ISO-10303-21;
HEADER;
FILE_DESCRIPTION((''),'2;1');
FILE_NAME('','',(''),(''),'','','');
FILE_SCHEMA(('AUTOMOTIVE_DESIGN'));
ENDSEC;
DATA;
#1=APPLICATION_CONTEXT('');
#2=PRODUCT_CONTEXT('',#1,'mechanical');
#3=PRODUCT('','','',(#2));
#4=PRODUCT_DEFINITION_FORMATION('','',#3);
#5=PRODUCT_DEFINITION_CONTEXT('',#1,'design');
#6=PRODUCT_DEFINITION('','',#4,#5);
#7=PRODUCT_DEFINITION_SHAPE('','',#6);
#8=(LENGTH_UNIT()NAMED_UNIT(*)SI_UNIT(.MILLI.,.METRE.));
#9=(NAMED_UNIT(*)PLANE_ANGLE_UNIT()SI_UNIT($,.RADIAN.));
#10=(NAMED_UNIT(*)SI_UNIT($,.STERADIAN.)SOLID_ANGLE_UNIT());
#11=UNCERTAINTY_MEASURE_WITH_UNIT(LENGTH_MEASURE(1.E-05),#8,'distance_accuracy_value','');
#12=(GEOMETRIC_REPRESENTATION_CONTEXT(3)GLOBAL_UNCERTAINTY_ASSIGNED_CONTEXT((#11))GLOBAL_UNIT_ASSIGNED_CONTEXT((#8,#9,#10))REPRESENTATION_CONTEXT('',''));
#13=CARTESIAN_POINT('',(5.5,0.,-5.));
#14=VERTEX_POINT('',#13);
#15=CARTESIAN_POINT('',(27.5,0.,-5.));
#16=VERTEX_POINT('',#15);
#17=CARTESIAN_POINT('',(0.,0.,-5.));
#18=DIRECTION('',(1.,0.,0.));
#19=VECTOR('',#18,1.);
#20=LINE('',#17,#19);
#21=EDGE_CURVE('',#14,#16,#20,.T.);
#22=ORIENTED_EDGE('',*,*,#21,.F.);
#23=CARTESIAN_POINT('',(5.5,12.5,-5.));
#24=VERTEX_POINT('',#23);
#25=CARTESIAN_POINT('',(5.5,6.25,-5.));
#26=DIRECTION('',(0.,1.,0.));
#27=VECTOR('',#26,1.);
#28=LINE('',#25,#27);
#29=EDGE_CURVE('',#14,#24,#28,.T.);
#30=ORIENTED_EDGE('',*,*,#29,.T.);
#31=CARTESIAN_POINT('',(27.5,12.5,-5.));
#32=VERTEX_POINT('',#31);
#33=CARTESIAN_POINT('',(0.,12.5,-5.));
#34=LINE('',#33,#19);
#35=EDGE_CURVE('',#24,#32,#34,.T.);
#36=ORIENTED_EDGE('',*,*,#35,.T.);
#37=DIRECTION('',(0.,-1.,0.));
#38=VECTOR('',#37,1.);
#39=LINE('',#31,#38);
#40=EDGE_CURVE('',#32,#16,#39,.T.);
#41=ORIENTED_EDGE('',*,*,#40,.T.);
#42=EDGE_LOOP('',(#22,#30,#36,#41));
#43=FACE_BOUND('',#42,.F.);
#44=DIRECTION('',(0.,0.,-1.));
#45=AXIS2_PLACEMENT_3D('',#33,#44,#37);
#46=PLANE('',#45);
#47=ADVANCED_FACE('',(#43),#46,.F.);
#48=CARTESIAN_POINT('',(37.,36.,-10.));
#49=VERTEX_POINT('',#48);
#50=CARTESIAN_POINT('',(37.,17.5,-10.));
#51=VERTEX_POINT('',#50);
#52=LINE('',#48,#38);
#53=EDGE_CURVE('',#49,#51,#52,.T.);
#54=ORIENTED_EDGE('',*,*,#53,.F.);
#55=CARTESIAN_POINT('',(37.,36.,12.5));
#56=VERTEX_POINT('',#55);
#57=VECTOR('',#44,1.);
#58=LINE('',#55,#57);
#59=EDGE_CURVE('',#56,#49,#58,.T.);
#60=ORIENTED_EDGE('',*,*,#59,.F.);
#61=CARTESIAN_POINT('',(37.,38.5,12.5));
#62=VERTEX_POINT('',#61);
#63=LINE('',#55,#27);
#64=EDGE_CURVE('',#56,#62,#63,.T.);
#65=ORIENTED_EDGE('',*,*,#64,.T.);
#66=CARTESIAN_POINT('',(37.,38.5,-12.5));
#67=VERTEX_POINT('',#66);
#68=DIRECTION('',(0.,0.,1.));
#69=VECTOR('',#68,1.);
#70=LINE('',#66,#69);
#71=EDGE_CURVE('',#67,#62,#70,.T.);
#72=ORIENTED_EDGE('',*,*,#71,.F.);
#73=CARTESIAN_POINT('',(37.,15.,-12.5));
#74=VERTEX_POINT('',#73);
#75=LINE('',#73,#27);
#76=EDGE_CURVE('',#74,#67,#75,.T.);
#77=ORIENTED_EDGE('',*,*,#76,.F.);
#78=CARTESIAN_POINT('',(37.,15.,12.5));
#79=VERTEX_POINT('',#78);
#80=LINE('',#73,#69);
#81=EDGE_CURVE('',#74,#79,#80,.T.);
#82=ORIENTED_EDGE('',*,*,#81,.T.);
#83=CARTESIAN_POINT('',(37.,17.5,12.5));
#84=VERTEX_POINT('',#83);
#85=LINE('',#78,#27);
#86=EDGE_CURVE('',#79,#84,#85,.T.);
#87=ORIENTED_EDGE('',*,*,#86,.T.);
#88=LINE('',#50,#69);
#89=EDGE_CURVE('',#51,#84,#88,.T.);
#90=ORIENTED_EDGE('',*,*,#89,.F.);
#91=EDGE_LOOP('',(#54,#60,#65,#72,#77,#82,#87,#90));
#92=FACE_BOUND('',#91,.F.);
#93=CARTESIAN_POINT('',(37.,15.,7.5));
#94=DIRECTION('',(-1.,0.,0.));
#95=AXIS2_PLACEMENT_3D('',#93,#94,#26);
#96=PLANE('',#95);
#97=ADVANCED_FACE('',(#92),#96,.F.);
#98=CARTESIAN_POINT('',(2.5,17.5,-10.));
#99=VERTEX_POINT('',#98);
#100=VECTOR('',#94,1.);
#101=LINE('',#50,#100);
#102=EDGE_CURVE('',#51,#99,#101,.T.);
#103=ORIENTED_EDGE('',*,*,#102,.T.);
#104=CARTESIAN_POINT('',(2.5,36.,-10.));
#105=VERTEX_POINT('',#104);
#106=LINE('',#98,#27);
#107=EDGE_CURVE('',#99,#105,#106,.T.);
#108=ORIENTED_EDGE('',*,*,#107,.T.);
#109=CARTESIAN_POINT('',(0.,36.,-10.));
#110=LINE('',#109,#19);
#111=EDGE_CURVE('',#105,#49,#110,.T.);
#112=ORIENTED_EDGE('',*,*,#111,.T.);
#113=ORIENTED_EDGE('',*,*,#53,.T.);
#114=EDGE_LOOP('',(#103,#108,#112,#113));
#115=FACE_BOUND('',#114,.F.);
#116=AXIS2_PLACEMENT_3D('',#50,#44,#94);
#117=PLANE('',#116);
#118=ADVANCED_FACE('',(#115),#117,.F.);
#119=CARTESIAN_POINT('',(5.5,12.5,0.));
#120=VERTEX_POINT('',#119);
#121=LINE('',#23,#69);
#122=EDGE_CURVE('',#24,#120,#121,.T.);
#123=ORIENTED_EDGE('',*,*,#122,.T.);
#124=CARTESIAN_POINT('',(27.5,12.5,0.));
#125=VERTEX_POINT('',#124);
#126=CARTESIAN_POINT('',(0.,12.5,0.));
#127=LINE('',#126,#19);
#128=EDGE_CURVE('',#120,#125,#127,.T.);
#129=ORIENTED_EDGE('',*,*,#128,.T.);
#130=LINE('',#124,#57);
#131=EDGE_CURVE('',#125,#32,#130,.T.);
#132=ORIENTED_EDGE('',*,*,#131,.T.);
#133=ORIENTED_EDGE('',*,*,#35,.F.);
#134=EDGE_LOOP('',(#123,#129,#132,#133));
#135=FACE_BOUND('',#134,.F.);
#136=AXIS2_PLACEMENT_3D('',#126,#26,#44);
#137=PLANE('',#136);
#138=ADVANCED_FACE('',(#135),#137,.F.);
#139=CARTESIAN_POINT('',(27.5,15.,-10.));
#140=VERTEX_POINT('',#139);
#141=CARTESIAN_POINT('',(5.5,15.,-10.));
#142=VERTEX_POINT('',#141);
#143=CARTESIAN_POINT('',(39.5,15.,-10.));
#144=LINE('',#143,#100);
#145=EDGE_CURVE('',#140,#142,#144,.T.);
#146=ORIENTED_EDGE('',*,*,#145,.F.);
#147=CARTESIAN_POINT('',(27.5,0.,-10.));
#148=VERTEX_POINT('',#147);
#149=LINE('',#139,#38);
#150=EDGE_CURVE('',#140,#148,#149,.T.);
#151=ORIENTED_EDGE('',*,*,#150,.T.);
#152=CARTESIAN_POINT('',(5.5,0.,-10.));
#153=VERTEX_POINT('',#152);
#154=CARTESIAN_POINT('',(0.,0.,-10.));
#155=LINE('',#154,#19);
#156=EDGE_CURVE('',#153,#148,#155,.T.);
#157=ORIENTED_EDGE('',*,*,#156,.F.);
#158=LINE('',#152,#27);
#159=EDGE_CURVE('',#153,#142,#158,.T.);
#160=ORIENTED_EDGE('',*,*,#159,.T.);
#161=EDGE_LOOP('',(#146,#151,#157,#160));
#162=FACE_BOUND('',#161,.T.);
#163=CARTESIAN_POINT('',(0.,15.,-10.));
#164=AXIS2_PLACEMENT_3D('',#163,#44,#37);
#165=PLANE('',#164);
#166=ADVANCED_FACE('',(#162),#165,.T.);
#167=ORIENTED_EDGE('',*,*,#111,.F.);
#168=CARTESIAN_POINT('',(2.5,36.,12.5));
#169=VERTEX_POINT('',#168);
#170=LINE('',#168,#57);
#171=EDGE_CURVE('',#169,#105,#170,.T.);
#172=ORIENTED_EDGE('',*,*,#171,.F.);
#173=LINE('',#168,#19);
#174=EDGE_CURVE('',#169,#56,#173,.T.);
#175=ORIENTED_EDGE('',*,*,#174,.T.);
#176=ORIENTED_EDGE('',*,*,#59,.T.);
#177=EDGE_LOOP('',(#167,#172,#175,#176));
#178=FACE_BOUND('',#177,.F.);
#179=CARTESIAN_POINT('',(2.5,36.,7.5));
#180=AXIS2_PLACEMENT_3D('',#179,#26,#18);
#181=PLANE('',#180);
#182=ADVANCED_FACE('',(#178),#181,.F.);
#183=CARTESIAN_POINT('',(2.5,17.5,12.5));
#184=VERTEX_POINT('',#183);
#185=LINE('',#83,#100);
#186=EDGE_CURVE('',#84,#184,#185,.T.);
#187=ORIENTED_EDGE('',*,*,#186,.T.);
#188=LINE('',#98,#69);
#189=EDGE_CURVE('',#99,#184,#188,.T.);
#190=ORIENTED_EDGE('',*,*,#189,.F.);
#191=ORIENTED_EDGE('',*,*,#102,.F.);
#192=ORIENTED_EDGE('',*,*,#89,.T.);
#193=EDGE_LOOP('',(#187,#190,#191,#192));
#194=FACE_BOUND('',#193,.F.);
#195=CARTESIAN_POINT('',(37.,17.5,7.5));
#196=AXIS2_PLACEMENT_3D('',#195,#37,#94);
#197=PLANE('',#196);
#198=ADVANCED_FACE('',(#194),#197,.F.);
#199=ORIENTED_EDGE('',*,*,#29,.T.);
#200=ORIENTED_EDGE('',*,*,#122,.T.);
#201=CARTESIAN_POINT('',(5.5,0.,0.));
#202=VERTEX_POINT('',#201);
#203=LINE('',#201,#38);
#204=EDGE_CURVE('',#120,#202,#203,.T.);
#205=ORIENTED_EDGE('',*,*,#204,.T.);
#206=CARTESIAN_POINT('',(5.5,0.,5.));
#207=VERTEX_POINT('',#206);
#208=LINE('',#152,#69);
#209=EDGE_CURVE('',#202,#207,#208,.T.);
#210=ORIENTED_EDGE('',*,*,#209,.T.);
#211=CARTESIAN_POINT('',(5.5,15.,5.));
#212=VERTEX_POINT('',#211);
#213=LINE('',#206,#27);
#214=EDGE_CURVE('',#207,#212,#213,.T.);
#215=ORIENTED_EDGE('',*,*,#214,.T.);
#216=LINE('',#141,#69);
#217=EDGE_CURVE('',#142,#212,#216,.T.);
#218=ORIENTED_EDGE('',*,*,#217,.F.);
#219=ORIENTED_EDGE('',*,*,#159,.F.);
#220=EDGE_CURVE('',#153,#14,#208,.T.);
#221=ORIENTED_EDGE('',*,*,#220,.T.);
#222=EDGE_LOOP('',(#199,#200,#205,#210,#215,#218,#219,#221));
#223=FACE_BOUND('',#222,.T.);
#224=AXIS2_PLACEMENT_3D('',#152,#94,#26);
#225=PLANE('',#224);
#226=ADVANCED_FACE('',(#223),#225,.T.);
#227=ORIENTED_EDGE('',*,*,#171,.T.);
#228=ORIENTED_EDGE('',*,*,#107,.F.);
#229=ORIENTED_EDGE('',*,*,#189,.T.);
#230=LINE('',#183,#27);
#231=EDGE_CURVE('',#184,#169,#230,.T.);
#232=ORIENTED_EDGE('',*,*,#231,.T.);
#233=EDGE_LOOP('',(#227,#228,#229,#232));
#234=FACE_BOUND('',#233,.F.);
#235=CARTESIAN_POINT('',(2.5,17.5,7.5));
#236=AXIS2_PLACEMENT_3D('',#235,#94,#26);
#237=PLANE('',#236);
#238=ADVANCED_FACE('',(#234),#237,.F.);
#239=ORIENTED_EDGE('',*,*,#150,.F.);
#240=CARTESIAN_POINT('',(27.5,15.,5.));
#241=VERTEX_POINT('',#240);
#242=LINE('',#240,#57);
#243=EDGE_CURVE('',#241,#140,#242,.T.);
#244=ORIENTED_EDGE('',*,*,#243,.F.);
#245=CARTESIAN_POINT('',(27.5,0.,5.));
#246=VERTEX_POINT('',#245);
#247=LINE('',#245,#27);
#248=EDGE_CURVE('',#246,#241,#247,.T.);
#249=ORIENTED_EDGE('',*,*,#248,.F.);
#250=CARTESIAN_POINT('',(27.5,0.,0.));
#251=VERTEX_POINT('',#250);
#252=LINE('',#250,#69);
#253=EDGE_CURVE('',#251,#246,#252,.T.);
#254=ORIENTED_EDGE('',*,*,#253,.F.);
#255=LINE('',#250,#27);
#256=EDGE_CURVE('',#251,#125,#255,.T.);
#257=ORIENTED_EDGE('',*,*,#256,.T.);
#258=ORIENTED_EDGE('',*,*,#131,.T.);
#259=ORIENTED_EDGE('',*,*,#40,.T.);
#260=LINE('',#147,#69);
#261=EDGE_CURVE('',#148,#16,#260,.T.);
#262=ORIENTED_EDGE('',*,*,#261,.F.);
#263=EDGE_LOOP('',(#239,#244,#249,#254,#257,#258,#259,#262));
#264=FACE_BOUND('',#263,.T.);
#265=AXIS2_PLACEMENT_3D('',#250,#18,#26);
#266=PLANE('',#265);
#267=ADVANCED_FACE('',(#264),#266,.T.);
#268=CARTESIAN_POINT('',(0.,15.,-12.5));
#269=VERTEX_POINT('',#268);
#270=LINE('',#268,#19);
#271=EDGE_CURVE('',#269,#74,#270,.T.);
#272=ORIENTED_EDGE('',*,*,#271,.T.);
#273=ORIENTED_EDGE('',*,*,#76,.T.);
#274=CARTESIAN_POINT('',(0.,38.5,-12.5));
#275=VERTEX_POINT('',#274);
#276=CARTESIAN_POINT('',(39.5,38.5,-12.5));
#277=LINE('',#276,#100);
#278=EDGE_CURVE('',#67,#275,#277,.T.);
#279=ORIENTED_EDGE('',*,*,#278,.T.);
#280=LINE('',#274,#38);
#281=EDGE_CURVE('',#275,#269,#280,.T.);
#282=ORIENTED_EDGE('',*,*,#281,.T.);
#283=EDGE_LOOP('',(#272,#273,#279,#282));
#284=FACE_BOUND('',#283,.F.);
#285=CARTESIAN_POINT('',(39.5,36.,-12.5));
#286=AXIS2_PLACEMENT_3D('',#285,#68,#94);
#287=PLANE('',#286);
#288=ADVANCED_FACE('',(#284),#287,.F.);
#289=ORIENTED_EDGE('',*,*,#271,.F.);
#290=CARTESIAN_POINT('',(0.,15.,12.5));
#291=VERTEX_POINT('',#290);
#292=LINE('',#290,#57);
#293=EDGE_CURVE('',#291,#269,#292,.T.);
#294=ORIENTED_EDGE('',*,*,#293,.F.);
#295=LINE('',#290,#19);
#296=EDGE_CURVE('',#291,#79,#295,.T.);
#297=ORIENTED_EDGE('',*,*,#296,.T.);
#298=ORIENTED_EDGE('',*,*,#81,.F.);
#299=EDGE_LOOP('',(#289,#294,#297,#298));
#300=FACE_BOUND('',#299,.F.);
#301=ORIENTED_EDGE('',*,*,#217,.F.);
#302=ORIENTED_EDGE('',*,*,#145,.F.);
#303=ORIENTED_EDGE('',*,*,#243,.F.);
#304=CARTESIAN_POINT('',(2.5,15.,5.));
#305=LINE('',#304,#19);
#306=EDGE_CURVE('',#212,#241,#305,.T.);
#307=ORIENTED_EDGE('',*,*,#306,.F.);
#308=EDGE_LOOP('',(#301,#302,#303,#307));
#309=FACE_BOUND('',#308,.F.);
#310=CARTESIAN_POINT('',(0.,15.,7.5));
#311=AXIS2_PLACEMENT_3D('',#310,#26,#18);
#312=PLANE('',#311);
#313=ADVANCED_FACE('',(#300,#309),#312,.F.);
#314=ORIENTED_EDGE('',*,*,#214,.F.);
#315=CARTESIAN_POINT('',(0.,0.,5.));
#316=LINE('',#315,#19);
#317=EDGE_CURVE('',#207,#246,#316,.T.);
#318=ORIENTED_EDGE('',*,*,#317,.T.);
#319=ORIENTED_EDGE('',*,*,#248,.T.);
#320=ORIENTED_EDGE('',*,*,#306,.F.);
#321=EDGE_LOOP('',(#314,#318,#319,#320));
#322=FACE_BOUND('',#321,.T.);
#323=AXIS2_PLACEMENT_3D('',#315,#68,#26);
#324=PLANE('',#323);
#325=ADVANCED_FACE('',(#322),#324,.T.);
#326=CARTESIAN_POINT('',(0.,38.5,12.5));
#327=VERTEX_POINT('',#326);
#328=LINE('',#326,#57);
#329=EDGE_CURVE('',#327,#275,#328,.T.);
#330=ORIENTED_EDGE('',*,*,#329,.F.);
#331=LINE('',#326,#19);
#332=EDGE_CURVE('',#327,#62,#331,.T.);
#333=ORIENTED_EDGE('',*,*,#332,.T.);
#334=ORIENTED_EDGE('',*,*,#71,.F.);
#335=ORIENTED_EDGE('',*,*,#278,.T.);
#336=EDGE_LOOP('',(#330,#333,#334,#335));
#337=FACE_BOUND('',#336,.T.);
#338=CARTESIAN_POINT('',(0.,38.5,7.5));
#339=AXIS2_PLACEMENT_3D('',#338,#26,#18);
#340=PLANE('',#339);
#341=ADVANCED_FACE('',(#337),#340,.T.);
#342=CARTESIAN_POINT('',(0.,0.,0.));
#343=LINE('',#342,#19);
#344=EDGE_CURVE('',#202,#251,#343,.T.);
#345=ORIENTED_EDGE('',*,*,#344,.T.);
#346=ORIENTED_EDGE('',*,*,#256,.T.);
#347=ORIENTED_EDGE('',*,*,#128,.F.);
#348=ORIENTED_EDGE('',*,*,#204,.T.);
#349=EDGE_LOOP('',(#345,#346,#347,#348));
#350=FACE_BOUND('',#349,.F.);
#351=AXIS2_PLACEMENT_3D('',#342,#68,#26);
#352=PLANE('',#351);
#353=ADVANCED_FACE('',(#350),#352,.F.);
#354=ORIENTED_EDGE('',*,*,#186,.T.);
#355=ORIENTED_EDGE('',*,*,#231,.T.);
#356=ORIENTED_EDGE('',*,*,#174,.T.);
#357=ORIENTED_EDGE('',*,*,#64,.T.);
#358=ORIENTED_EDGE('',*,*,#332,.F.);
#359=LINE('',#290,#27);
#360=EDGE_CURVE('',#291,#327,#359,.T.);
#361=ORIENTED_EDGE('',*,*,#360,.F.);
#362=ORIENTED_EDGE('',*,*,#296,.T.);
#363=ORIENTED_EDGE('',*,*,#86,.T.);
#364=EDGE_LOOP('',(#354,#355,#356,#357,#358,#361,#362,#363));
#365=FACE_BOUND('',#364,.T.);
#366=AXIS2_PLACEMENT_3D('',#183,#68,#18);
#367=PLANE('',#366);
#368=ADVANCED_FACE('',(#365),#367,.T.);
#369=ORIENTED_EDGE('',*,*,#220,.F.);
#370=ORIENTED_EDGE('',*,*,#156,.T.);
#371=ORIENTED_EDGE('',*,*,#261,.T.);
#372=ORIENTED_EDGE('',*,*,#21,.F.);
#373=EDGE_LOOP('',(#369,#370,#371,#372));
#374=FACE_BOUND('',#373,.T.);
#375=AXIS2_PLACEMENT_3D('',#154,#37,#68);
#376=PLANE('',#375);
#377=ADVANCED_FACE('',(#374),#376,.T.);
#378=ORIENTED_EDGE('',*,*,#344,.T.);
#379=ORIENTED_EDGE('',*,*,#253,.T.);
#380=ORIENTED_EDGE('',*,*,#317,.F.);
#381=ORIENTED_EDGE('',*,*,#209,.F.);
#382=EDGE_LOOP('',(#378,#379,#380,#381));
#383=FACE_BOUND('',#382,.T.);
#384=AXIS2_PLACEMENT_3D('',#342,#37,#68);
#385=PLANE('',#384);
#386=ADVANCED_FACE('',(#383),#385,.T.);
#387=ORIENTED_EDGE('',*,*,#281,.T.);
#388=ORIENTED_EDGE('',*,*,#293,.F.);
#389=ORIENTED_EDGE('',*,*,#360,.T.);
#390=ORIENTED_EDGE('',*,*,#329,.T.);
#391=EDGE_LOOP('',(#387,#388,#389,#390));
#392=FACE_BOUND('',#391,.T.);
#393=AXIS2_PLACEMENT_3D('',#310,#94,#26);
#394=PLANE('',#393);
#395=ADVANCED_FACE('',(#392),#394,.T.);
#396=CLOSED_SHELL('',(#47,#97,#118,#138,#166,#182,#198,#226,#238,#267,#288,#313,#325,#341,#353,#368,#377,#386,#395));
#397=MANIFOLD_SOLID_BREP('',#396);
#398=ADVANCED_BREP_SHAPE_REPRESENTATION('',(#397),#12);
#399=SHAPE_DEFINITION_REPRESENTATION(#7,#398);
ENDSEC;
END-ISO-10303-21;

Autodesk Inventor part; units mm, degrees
ref_plane "YZ Plane" through (0, 0, 0) normal (1, 0, 0) x (0, 1, 0)
ref_plane "XZ Plane" through (0, 0, 0) normal (0, 1, 0) x (-1, 0, 0)
ref_plane "XY Plane" through (0, 0, 0) normal (0, 0, 1) x (1, 0, 0)
sketch "Sketch1" plane through (0, 0, 0) normal (1, 0, 0) x (0, 1, 0)
  line L0 (0, 0) -> (12.5, 0)
  line L1 (12.5, 0) -> (12.5, -5)
  line L2 (12.5, -5) -> (0, -5)
  line L3 (0, 0) -> (0, 5)
  line L4 (0, 5) -> (15, 5)
  line L5 (15, 5) -> (15, -10)
  line L6 (15, -10) -> (0, -10)
  line L7 (0, -10) -> (0, -5)
  dimension "d0" = 12.5
  dimension "d2" = 5
  dimension "d3" = 15
  dimension "d4" = 15
  dimension "d5" = 5
extrude "Extrusion1" add sketch "Sketch1" along normal blind 27.5
sketch "Sketch2" plane through (0, 0, 5) normal (0, 0, 1) x (1, 0, 0)
  line L0 (0, 15) -> (27.5, 15) projected
  line L1 (0, 15) -> (0, 36)
  line L2 (0, 36) -> (2.5, 36)
  line L3 (0, 15) -> (39.5, 15)
  line L4 (39.5, 15) -> (39.5, 36)
  line L5 (39.5, 36) -> (37, 36)
  line L6 (37, 36) -> (37, 17.5)
  line L7 (37, 17.5) -> (2.5, 17.5)
  line L8 (2.5, 17.5) -> (2.5, 36)
  line L9 (0, 0) -> (27.5, 0) projected
  dimension "d8" = 21
  dimension "d9" = 2.5
  dimension "d10" = 39.5
  dimension "d11" = 2.5
  dimension "d12" = 18.5
  dimension "d13" = 17.5
extrude "Extrusion2" add sketch "Sketch2" against normal up to surface (15 mm away)
sketch "Sketch3" plane through (27.5, 0, -10) normal (0, 0, -1) x (-1, 0, 0)
  line L0 (27.5, 0) -> (22, 0)
  line L1 (22, 0) -> (22, 15)
  line L2 (22, 15) -> (27.5, 15)
  line L3 (27.5, 15) -> (27.5, 0)
  dimension "d16" = 5.5
  dimension "d17" = 15
extrude "Extrusion3" cut sketch "Sketch3" against normal up to surface (15 mm away)
sketch "Sketch4" plane through (37, 17.5, -10) normal (0, 0, -1) x (-1, 0, 0)
  line L0 (-2.5, -2.5) -> (9.5, -2.5) projected
  line L1 (37, 18.5) -> (34.5, 18.5) projected
  line L2 (-2.5, -2.5) -> (37, -2.5)
  line L3 (37, -2.5) -> (37, 18.5)
  line L4 (37, 18.5) -> (-2.5, 18.5)
  line L5 (-2.5, 18.5) -> (-2.5, -2.5)
  point P0 (37, -17.5)
extrude "Extrusion4" add sketch "Sketch4" along normal blind 2.5
sketch "Sketch5" plane through (2.5, 17.5, 5) normal (0, 0, 1) x (1, 0, 0)
  line L0 (37, -2.5) -> (25, -2.5) projected
  line L1 (37, 18.5) -> (37, -2.5) projected
  line L2 (34.5, 18.5) -> (37, 18.5) projected
  line L3 (34.5, 0) -> (34.5, 18.5) projected
  line L4 (0, 0) -> (34.5, 0) projected
  line L5 (0, 18.5) -> (0, 0) projected
  line L6 (-2.5, 18.5) -> (0, 18.5) projected
  line L7 (-2.5, -2.5) -> (-2.5, 18.5) projected
  line L8 (-2.5, -2.5) -> (3, -2.5) projected
  line L9 (37, 18.5) -> (37, -2.5) projected
  line L10 (37, -2.5) -> (25, -2.5) projected
  line L11 (37, 18.5) -> (34.5, 18.5)
  line L12 (34.5, 18.5) -> (34.5, 0)
  line L13 (34.5, -2.5) -> (37, -2.5)
  line L14 (37, -2.5) -> (37, 18.5)
  line L15 (0, 18.5) -> (0, 0) projected
  line L16 (-2.5, -2.5) -> (3, -2.5) projected
  line L17 (0, 18.5) -> (-2.5, 18.5)
  line L18 (-2.5, 18.5) -> (-2.5, -2.5)
  line L19 (-2.5, -2.5) -> (0, -2.5)
  line L20 (0, 0) -> (0, 18.5)
  line L21 (0, 0) -> (34.5, 0) projected
  line L22 (0, 0) -> (34.5, 0)
  line L23 (0, -2.5) -> (34.5, -2.5)
  line L24 (37, -2.5) -> (-2.5, -2.5) projected
  dimension "d22" = 34.5
  dimension "d23" = 34.5
extrude "Extrusion5" add sketch "Sketch5" along normal blind 2.5
sketch "Sketch6" plane through (2.5, 36, -10) normal (0, 1, 0) x (1, 0, 0)
  line L0 (37, -17.5) -> (37, 2.5) projected
  line L1 (-2.5, 2.5) -> (-2.5, -17.5) projected
  line L2 (37, 2.5) -> (-2.5, 2.5)
  line L3 (-2.5, 2.5) -> (-2.5, -17.5)
  line L4 (-2.5, -17.5) -> (37, -17.5)
  line L5 (37, -17.5) -> (37, 2.5)
  point P0 (-2.5, -10)
extrude "Extrusion6" add sketch "Sketch6" along normal blind 2.5
sketch "Sketch7" plane through (2.5, 17.5, 7.5) normal (0, 0, 1) x (1, 0, 0)
  line L0 (34.5, 18.5) -> (34.5, 0) projected
  line L1 (34.5, 0) -> (0, 0) projected
  line L2 (0, 0) -> (0, 18.5) projected
  line L3 (0, 18.5) -> (34.5, 18.5) projected
  line L4 (37, -2.5) -> (37, 21) projected
  line L5 (-2.5, 21) -> (37, 21) projected
  line L6 (-2.5, -2.5) -> (-2.5, 21) projected
  line L7 (-2.5, -2.5) -> (37, -2.5) projected
  line L8 (-2.5, -2.5) -> (37, -2.5) projected
  line L9 (37, 21) -> (34.5, 21)
  line L10 (34.5, 21) -> (34.5, -2.5)
  line L11 (34.5, -2.5) -> (37, -2.5)
  line L12 (37, -2.5) -> (37, 21)
  point P0 (-2.5, -17.5)
  dimension "d28" = 2.5
extrude "Extrusion7" cut sketch "Sketch7" against normal up to next contours L10 L5 L4 L7 L0
sketch "Sketch8" plane through (2.5, 17.5, 7.5) normal (0, 0, 1) x (1, 0, 0)
  line L0 (34.5, -2.5) -> (34.5, 0) projected
  line L1 (34.5, 0) -> (0, 0) projected
  line L2 (0, 0) -> (0, 18.5) projected
  line L3 (0, 18.5) -> (34.5, 18.5) projected
  line L4 (34.5, 18.5) -> (34.5, 21) projected
  line L5 (-2.5, 21) -> (34.5, 21) projected
  line L6 (-2.5, -2.5) -> (-2.5, 21) projected
  line L7 (-2.5, -2.5) -> (34.5, -2.5) projected
  line L8 (34.5, -2.5) -> (-2.5, -2.5)
  line L9 (-2.5, -2.5) -> (-2.5, 0)
  line L10 (0, 0) -> (34.5, 0)
  line L11 (34.5, 0) -> (34.5, -2.5)
  line L12 (34.5, 21) -> (-2.5, 21)
  line L13 (-2.5, 21) -> (-2.5, 18.5)
  line L14 (0, 18.5) -> (34.5, 18.5)
  line L15 (34.5, 18.5) -> (34.5, 21)
  line L16 (0, 18.5) -> (0, 0)
  line L17 (-2.5, 18.5) -> (-2.5, 0)
  dimension "d31" = 18.5
extrude "Extrusion8" add sketch "Sketch8" along normal blind 5
properties part number "battery-holder"
